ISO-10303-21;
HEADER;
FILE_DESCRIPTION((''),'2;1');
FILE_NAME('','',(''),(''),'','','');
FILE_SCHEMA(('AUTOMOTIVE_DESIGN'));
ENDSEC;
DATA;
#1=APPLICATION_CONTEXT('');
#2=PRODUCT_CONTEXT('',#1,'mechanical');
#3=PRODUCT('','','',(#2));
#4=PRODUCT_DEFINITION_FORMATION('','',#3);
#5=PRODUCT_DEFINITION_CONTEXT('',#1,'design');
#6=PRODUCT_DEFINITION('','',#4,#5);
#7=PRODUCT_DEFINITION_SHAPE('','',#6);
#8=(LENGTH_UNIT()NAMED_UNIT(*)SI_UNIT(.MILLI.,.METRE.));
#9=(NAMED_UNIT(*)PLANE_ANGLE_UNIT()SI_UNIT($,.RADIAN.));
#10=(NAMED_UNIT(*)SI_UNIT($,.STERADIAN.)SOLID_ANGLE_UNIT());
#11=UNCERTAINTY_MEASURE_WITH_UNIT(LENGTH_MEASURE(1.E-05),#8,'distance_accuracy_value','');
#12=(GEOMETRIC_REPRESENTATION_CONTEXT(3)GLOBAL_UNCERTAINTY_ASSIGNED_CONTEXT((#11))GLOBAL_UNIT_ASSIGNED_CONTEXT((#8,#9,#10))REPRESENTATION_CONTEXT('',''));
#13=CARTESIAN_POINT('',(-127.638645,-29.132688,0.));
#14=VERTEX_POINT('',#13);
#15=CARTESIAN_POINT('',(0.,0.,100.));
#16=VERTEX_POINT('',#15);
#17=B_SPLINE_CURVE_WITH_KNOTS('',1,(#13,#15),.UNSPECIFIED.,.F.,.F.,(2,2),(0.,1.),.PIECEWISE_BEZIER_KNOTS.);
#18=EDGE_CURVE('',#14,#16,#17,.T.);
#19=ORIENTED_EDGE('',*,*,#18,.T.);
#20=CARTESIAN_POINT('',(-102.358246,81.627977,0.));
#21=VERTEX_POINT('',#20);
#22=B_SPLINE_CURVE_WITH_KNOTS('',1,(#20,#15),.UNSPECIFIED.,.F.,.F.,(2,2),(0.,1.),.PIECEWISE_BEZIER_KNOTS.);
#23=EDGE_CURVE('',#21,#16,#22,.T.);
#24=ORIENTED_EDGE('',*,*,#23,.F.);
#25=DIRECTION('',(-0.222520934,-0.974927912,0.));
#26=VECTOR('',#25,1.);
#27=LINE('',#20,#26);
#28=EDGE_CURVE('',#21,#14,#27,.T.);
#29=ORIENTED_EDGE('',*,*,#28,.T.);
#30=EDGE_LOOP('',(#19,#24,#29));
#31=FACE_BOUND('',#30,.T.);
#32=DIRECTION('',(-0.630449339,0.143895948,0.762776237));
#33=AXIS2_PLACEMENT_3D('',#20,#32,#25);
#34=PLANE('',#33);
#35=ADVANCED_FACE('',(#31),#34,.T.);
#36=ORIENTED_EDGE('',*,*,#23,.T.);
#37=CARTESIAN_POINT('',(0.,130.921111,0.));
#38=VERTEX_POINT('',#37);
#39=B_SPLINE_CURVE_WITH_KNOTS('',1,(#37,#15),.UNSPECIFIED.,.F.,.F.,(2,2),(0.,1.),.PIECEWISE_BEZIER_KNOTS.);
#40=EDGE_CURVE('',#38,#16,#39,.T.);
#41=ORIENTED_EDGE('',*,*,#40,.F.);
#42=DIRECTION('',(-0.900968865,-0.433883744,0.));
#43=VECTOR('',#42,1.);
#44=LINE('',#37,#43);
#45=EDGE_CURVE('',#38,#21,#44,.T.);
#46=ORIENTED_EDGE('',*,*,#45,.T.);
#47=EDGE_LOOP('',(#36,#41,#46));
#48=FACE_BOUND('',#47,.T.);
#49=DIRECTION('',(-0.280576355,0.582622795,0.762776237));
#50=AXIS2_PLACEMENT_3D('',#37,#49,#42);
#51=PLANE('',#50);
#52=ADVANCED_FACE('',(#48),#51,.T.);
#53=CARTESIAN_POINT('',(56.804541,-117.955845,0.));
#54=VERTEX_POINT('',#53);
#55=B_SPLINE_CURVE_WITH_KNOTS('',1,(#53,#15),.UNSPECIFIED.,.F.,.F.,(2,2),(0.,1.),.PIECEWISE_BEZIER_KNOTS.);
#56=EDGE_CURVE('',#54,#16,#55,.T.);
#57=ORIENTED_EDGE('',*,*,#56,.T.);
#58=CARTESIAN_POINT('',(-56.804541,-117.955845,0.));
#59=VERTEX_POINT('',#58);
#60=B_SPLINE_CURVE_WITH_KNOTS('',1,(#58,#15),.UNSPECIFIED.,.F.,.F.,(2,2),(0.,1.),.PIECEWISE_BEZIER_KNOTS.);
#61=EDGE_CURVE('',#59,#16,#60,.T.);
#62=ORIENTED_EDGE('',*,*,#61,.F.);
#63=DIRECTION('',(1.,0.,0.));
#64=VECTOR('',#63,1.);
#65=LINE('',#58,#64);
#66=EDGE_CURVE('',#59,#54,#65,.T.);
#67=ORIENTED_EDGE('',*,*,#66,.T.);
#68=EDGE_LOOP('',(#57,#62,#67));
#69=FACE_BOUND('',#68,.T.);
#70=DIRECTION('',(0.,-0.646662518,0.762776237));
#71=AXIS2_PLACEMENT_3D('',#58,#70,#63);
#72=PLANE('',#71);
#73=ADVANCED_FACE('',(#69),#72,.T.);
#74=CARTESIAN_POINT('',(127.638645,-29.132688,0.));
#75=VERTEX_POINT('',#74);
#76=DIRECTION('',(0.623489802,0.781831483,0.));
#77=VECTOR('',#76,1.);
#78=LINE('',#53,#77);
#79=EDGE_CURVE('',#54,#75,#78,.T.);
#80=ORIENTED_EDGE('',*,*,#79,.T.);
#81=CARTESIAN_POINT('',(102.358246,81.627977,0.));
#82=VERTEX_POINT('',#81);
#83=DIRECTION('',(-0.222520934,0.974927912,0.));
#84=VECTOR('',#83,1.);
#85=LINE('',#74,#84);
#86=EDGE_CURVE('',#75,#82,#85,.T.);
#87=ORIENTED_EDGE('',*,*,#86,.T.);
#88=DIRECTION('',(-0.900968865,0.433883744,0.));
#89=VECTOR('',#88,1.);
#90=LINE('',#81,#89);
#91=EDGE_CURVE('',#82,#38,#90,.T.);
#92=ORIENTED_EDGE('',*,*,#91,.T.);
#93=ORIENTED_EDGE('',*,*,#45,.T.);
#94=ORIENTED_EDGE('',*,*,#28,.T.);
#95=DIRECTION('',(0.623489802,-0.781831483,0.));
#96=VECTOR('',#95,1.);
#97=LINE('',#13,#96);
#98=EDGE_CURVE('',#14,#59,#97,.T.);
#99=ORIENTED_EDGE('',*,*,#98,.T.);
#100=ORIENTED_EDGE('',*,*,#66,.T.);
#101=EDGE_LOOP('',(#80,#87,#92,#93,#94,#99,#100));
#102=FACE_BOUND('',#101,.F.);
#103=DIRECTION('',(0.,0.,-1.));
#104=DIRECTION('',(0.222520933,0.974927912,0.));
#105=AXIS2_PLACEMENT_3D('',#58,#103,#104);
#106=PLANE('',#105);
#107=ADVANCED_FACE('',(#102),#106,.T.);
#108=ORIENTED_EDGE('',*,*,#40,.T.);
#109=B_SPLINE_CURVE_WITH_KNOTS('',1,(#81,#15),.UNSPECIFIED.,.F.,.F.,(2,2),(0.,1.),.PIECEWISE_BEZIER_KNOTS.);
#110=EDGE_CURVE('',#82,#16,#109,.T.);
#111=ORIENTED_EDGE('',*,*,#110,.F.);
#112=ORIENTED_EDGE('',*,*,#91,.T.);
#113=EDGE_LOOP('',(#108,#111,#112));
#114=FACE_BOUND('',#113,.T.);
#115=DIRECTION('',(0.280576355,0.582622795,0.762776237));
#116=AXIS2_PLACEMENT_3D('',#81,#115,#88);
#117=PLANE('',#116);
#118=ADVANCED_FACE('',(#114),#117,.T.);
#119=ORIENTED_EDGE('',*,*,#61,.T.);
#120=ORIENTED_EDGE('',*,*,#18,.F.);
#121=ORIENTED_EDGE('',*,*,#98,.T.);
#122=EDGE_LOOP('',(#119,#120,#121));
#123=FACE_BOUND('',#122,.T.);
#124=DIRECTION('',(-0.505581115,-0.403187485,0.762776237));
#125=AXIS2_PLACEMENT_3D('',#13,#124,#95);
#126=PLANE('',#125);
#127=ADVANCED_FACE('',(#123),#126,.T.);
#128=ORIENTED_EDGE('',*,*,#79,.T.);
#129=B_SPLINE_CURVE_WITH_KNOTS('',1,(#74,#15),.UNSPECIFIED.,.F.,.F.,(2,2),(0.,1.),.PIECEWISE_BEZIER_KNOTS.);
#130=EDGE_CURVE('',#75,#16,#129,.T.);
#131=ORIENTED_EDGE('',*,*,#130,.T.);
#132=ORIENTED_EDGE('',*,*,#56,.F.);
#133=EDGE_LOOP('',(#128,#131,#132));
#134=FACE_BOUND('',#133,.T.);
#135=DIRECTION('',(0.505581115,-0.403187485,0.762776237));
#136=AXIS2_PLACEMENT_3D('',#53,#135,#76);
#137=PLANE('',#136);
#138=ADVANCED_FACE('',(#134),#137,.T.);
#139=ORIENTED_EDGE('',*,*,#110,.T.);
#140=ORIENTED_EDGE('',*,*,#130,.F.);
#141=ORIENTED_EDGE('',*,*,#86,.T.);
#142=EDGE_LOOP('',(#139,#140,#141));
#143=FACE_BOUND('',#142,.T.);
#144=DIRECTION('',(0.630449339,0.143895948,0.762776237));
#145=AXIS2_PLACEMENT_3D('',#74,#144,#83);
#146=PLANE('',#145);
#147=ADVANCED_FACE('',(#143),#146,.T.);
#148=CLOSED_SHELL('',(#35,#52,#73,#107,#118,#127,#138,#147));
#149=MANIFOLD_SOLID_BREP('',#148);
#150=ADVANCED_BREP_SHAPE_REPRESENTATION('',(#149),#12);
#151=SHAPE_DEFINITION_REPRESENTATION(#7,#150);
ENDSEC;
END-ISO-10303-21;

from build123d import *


with BuildPart() as f3:
    # F0 (on Top) → F3 section 0
    with BuildSketch(Plane.XY, mode=Mode.PRIVATE) as f3_s0:
        Polygon((-56.804541, -117.955845), (56.804541, -117.955845), (127.638645, -29.132688), (102.358246, 81.627977), (0, 130.921111), (-102.358246, 81.627977), (-127.638645, -29.132688), align=None)
    loft([f3_s0.sketch, Vertex(0, 0, 100)])


solid = f3.part
